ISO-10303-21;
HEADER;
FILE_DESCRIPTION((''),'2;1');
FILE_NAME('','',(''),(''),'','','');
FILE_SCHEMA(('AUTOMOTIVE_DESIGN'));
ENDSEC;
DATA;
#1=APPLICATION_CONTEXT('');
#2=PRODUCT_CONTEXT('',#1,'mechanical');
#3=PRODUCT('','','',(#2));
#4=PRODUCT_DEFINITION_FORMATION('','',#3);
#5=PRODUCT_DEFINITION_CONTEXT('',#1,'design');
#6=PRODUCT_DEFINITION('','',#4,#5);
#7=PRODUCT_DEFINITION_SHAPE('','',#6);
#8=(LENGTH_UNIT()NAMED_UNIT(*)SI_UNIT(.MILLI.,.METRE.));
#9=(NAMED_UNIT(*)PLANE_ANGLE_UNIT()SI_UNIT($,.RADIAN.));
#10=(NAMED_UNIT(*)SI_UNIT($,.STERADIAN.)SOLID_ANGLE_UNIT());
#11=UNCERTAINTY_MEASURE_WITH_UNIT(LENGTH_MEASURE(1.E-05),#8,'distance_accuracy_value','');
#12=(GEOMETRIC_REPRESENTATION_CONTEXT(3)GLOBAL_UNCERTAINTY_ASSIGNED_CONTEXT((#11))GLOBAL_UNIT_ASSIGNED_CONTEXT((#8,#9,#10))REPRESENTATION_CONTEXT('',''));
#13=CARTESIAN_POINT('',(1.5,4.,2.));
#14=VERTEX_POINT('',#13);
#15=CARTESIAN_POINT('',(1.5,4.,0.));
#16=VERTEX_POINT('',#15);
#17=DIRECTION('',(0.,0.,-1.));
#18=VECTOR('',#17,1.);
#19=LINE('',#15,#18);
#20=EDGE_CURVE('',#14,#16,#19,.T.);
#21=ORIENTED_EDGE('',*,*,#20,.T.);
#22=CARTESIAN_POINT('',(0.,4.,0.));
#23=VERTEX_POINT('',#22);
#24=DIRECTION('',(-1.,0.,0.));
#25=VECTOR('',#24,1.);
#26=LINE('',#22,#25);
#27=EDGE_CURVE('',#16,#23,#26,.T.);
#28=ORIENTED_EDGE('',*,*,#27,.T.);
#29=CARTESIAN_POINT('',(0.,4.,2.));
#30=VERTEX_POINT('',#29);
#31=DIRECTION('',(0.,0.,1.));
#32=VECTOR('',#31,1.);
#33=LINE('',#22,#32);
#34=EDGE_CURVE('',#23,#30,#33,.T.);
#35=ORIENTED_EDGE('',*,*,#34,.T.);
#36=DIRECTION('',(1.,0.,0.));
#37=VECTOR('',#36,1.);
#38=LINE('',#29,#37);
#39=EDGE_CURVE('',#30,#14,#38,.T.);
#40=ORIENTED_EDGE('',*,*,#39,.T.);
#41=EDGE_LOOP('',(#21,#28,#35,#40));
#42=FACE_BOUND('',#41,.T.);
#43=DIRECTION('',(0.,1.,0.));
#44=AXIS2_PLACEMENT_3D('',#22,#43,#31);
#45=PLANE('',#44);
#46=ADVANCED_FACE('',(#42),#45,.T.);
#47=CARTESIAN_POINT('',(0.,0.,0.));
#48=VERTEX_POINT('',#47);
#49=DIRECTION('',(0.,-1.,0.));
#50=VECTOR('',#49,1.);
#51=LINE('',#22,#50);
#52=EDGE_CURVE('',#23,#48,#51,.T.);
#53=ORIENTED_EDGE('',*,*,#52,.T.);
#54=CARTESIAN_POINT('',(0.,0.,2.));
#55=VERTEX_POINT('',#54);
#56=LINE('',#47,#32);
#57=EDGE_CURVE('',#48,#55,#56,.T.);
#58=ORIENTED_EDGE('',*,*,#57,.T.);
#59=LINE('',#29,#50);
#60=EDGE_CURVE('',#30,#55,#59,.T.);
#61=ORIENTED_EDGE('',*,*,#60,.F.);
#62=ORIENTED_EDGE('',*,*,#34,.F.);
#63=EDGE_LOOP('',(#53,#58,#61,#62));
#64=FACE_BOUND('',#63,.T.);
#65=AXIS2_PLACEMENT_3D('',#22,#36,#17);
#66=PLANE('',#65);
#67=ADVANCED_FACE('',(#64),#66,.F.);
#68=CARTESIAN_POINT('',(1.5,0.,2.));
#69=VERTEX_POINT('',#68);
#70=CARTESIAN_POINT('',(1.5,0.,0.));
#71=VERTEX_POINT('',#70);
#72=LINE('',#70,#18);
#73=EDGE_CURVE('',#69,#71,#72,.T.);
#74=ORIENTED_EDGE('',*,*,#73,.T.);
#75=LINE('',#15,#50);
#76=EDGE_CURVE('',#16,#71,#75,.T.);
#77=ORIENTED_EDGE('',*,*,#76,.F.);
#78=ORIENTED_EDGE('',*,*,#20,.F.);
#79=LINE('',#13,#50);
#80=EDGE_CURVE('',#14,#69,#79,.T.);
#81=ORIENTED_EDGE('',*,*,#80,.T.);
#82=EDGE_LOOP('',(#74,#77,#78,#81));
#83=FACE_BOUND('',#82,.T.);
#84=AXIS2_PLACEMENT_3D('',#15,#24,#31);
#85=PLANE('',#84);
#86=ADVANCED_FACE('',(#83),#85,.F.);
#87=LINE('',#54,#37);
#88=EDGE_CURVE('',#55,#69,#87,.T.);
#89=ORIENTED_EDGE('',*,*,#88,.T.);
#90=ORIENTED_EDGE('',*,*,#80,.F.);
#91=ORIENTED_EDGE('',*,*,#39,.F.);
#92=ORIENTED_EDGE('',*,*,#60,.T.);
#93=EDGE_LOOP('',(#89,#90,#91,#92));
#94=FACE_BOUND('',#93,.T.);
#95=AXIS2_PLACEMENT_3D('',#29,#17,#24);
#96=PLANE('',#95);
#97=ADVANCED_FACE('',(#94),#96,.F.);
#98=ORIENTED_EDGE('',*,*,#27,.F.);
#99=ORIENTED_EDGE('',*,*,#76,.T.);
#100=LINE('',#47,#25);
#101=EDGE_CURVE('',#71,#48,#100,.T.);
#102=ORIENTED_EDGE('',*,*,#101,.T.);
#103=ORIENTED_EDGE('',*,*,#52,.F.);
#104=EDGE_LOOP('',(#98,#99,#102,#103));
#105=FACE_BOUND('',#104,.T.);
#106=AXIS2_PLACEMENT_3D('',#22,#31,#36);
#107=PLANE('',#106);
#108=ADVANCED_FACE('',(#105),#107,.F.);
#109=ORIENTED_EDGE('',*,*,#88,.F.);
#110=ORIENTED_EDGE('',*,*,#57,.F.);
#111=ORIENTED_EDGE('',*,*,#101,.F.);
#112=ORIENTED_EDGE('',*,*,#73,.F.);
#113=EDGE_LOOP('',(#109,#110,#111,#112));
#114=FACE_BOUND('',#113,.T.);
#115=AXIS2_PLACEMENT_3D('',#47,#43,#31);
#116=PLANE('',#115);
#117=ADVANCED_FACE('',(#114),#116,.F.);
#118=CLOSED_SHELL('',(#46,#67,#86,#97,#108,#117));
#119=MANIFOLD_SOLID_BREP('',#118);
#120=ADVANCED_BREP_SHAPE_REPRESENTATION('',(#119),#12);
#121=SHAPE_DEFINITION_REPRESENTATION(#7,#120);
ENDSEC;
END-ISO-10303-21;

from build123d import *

# Parameters (mm, degrees)
SKETCH_1_W      = 1.5
SKETCH_1_H      = 2
EXTRUDE_1_DEPTH = 4


with BuildPart() as part:
    # 草图1 → 凸台-拉伸1 (new body)
    with BuildSketch(Plane(origin=(0, 0, 0), x_dir=(1, 0, 0), z_dir=(0, 1, 0))):
        with Locations((0.75, -1)):
            Rectangle(SKETCH_1_W, SKETCH_1_H)
    extrude(amount=EXTRUDE_1_DEPTH)


solid = part.part
